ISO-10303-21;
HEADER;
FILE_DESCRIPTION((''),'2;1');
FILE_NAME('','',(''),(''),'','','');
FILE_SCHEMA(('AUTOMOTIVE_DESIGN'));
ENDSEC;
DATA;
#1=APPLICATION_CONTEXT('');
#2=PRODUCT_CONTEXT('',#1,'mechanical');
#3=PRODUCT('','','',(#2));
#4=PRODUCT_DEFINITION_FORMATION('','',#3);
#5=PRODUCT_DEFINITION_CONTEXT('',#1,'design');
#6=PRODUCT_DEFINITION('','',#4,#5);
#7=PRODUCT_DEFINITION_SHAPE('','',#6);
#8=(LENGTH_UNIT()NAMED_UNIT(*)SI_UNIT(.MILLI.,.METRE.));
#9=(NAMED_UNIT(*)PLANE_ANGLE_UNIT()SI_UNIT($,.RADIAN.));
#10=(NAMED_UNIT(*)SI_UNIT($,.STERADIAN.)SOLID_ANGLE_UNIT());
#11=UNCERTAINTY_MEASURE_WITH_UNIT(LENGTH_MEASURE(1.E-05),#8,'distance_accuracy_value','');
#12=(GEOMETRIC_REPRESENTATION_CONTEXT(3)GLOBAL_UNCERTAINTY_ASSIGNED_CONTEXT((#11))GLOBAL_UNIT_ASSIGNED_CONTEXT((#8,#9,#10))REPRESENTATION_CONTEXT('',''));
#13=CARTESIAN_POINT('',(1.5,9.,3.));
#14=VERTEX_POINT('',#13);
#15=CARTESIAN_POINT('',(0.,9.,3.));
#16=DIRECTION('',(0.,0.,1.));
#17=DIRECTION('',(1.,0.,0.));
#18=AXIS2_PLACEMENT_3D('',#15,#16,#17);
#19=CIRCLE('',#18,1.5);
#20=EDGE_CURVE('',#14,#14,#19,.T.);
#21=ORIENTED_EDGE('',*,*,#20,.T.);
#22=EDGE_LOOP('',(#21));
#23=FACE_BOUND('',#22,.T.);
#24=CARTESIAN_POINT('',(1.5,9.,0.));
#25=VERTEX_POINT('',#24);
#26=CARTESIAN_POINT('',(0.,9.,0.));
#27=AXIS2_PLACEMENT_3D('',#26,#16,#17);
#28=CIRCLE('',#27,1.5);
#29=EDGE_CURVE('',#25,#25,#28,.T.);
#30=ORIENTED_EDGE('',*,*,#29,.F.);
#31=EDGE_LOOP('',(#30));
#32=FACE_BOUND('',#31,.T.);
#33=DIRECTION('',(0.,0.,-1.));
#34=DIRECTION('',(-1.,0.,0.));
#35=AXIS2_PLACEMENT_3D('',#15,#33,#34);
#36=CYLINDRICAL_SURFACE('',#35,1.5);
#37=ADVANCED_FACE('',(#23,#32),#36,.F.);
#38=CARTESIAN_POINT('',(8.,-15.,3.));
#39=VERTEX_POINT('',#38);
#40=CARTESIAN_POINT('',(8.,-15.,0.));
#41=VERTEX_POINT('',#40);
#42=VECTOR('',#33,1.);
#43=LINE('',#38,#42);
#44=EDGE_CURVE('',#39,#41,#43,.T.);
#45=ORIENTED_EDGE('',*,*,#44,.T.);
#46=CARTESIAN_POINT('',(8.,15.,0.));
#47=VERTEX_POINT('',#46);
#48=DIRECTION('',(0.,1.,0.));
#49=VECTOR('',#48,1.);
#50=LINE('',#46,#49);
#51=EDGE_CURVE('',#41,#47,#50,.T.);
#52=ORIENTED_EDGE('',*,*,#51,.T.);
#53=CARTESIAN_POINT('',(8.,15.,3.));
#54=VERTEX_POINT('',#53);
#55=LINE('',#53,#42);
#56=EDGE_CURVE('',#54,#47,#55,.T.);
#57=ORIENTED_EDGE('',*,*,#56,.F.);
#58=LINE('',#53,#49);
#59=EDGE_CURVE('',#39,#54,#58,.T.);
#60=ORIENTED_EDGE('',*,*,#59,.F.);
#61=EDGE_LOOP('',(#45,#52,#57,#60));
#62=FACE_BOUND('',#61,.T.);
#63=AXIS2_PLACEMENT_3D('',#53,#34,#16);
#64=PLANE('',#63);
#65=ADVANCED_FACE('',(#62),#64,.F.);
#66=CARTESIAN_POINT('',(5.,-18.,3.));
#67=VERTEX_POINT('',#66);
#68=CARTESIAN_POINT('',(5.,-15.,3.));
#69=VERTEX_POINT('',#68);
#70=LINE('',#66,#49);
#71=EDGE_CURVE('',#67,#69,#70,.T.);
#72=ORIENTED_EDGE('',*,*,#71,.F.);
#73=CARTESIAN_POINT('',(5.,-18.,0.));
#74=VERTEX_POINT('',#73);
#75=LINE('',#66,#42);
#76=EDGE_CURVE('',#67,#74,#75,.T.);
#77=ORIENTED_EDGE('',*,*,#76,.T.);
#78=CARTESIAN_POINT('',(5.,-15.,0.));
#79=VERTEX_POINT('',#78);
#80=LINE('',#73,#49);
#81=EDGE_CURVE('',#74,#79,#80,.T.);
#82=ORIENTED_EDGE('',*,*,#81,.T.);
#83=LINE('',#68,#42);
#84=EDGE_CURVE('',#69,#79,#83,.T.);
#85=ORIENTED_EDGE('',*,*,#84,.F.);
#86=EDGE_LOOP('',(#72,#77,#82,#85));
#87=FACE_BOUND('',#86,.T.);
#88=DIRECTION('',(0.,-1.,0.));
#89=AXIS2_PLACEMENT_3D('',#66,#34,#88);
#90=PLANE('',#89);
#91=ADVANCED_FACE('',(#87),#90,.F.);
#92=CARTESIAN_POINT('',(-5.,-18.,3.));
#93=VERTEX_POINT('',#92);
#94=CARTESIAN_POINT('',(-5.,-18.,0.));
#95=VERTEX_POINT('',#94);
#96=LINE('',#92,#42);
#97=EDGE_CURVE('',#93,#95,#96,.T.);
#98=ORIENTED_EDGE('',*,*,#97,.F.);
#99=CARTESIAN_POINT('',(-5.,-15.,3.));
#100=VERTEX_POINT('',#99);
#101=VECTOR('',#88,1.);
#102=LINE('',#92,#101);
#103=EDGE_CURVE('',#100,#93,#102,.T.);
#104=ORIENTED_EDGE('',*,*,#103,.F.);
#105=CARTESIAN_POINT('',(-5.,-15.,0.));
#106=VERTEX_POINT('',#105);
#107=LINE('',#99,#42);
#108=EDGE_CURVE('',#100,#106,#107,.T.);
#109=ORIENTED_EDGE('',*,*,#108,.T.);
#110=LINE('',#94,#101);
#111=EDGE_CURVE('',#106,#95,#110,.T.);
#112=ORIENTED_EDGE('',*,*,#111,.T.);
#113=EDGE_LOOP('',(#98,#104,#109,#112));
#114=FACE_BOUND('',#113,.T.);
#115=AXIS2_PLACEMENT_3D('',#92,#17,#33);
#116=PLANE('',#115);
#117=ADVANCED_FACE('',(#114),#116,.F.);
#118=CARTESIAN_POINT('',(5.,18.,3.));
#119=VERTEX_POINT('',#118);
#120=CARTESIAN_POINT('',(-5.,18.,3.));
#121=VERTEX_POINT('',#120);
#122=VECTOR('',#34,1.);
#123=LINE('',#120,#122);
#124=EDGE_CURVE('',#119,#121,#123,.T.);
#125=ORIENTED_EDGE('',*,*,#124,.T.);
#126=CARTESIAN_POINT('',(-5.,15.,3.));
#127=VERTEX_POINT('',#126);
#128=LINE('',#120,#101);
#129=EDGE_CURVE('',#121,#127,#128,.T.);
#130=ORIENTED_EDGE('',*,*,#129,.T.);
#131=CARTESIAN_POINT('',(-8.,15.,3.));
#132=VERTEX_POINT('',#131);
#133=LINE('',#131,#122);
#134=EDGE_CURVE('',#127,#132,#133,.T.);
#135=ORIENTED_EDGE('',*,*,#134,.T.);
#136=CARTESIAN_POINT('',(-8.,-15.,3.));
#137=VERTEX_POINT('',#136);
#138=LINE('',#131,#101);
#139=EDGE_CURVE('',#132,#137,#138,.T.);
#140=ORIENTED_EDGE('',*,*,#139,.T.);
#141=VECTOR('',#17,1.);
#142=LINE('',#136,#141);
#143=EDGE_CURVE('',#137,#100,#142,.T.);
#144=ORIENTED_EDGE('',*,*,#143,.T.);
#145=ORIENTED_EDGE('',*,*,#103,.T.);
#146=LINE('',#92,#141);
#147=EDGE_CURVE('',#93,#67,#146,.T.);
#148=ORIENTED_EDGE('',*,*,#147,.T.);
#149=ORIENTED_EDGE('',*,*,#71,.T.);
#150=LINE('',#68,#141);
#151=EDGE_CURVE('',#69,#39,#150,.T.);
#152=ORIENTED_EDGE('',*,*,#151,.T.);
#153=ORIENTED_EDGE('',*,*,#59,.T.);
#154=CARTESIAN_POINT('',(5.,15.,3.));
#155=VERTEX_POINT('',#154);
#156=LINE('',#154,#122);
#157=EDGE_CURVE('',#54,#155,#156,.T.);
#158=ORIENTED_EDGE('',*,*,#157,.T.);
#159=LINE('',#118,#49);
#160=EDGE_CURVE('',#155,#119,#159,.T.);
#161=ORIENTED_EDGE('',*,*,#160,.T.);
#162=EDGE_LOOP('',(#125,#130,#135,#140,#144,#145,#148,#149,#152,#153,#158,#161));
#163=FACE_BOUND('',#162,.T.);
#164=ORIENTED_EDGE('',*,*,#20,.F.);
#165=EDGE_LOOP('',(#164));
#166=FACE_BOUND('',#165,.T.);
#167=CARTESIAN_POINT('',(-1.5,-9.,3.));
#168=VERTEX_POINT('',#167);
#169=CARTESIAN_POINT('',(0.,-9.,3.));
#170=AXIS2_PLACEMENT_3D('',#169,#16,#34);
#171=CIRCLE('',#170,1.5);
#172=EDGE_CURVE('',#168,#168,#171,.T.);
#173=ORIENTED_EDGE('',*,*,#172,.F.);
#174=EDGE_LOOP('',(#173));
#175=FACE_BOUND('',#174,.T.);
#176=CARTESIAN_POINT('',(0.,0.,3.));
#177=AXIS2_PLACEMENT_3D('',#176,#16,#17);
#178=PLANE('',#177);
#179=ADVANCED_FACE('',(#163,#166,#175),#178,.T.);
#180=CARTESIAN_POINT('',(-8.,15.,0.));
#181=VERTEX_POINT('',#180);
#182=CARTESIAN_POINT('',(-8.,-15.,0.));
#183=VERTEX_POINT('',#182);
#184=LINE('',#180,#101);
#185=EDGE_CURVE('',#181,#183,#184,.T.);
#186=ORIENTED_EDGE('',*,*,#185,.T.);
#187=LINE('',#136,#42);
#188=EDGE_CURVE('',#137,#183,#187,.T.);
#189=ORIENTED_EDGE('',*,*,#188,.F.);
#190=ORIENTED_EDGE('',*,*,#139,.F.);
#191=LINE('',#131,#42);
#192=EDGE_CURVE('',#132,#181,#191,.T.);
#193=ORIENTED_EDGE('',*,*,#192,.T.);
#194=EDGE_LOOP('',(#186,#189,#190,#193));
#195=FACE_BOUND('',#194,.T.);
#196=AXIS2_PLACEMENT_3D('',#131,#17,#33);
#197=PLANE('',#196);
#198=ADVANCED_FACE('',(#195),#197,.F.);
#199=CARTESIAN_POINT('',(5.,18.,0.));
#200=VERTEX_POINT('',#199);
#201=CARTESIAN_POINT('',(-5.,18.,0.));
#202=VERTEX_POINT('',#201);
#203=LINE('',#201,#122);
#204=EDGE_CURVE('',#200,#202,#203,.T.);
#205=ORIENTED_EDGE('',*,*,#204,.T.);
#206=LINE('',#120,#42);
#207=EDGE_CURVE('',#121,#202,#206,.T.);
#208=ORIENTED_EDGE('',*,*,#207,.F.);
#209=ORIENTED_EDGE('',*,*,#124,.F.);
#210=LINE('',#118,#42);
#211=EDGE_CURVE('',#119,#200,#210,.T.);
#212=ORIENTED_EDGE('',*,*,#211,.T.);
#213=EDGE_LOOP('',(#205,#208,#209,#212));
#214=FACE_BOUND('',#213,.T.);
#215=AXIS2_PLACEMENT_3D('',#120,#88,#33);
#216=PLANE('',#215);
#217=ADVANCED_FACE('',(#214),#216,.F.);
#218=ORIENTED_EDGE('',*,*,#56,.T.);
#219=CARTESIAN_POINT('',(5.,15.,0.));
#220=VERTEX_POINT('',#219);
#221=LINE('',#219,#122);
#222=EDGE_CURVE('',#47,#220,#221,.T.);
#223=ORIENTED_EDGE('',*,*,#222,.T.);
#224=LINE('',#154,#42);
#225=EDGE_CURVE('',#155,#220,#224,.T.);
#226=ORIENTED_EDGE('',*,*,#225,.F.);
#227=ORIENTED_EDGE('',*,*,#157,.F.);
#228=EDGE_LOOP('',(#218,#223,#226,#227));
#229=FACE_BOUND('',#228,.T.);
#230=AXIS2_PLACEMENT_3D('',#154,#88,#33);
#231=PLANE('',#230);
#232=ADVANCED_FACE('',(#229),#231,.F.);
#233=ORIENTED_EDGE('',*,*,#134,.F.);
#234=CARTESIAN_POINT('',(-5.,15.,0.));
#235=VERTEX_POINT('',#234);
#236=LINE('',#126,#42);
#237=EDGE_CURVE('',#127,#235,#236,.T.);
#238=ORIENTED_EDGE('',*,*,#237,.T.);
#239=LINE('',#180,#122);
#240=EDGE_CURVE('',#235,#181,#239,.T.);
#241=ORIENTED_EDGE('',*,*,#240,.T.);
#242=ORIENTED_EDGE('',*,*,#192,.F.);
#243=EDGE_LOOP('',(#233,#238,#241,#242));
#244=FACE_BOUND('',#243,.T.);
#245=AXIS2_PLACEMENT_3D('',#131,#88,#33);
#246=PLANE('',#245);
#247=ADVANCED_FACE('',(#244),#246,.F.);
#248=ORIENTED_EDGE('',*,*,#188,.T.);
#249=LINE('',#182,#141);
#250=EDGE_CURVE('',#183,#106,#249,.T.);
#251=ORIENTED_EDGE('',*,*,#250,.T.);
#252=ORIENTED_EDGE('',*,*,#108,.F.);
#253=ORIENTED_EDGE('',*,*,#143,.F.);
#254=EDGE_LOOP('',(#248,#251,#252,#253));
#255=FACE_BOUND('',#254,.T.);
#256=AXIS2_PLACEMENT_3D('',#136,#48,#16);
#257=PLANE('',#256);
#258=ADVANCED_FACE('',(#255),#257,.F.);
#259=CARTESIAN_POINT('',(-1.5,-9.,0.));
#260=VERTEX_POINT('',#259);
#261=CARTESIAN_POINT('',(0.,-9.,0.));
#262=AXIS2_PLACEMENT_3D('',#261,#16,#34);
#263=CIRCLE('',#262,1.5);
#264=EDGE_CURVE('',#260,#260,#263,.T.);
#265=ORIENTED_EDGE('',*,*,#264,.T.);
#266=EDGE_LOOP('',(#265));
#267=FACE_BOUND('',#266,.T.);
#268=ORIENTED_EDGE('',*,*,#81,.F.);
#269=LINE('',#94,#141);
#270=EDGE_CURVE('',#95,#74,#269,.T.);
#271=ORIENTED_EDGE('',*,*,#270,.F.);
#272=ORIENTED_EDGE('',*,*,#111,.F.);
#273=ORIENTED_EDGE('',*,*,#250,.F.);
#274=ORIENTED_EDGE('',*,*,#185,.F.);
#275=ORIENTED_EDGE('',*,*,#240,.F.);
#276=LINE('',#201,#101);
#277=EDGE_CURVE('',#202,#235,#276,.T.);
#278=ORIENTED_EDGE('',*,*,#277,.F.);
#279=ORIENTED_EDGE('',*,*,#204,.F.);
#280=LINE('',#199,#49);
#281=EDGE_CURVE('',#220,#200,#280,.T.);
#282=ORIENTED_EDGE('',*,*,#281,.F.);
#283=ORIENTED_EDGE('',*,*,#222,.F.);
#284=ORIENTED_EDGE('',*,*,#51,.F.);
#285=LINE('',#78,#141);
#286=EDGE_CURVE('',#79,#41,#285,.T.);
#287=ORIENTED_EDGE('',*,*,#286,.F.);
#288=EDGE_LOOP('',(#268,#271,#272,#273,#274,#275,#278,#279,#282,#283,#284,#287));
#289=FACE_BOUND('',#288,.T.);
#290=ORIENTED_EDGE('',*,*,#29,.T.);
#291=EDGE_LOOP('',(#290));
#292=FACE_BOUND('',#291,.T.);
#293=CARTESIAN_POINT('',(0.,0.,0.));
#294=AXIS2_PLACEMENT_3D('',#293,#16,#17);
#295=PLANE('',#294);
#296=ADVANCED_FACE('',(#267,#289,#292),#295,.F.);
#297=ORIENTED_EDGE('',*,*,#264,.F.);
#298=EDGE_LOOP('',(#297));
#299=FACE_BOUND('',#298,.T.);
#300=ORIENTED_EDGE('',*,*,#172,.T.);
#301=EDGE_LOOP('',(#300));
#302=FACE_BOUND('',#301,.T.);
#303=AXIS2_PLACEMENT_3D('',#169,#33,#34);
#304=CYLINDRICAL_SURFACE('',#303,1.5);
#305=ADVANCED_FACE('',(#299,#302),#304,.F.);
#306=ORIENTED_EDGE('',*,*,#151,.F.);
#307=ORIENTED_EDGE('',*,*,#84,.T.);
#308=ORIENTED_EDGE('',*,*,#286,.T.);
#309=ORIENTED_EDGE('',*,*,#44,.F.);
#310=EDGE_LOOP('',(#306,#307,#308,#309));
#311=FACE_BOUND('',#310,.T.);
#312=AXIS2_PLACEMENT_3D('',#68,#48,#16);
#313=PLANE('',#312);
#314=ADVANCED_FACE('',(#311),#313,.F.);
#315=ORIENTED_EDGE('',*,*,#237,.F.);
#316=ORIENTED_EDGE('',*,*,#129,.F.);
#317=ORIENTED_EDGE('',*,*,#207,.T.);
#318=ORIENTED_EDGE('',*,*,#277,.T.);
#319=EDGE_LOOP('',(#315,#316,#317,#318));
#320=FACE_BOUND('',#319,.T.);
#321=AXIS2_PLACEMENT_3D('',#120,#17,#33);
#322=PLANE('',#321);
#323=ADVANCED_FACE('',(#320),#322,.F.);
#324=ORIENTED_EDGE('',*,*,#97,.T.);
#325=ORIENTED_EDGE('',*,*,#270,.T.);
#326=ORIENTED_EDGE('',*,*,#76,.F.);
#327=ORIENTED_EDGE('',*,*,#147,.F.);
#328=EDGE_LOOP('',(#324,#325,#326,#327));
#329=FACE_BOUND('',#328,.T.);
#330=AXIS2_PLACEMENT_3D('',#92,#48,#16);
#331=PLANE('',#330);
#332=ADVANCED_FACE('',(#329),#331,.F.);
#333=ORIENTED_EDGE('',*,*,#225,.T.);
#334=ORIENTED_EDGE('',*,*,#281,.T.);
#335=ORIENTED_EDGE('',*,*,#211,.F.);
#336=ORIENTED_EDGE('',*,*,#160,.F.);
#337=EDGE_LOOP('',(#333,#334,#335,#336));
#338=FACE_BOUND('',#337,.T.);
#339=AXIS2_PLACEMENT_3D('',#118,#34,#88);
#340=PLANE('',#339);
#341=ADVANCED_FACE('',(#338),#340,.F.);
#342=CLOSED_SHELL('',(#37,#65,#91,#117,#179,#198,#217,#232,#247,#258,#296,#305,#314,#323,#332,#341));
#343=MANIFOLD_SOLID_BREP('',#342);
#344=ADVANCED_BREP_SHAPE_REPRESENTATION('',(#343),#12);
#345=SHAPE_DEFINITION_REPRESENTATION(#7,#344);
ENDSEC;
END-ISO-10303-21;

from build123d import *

# Parameters (mm, degrees)
SKETCH1_R           = 1.5
BOSS_EXTRUDE1_DEPTH = 3


with BuildPart() as part:
    # Sketch1 → Boss-Extrude1 (new body)
    with BuildSketch(Plane.XY):
        Polygon((-5, 18), (5, 18), (5, 15), (8, 15), (8, -15), (5, -15), (5, -18), (-5, -18), (-5, -15), (-8, -15), (-8, 15), (-5, 15), align=None)
        with Locations((0, 9)):
            Circle(SKETCH1_R, mode=Mode.SUBTRACT)
        with Locations((0, -9)):
            Circle(SKETCH1_R, mode=Mode.SUBTRACT)
    extrude(amount=BOSS_EXTRUDE1_DEPTH)


solid = part.part
